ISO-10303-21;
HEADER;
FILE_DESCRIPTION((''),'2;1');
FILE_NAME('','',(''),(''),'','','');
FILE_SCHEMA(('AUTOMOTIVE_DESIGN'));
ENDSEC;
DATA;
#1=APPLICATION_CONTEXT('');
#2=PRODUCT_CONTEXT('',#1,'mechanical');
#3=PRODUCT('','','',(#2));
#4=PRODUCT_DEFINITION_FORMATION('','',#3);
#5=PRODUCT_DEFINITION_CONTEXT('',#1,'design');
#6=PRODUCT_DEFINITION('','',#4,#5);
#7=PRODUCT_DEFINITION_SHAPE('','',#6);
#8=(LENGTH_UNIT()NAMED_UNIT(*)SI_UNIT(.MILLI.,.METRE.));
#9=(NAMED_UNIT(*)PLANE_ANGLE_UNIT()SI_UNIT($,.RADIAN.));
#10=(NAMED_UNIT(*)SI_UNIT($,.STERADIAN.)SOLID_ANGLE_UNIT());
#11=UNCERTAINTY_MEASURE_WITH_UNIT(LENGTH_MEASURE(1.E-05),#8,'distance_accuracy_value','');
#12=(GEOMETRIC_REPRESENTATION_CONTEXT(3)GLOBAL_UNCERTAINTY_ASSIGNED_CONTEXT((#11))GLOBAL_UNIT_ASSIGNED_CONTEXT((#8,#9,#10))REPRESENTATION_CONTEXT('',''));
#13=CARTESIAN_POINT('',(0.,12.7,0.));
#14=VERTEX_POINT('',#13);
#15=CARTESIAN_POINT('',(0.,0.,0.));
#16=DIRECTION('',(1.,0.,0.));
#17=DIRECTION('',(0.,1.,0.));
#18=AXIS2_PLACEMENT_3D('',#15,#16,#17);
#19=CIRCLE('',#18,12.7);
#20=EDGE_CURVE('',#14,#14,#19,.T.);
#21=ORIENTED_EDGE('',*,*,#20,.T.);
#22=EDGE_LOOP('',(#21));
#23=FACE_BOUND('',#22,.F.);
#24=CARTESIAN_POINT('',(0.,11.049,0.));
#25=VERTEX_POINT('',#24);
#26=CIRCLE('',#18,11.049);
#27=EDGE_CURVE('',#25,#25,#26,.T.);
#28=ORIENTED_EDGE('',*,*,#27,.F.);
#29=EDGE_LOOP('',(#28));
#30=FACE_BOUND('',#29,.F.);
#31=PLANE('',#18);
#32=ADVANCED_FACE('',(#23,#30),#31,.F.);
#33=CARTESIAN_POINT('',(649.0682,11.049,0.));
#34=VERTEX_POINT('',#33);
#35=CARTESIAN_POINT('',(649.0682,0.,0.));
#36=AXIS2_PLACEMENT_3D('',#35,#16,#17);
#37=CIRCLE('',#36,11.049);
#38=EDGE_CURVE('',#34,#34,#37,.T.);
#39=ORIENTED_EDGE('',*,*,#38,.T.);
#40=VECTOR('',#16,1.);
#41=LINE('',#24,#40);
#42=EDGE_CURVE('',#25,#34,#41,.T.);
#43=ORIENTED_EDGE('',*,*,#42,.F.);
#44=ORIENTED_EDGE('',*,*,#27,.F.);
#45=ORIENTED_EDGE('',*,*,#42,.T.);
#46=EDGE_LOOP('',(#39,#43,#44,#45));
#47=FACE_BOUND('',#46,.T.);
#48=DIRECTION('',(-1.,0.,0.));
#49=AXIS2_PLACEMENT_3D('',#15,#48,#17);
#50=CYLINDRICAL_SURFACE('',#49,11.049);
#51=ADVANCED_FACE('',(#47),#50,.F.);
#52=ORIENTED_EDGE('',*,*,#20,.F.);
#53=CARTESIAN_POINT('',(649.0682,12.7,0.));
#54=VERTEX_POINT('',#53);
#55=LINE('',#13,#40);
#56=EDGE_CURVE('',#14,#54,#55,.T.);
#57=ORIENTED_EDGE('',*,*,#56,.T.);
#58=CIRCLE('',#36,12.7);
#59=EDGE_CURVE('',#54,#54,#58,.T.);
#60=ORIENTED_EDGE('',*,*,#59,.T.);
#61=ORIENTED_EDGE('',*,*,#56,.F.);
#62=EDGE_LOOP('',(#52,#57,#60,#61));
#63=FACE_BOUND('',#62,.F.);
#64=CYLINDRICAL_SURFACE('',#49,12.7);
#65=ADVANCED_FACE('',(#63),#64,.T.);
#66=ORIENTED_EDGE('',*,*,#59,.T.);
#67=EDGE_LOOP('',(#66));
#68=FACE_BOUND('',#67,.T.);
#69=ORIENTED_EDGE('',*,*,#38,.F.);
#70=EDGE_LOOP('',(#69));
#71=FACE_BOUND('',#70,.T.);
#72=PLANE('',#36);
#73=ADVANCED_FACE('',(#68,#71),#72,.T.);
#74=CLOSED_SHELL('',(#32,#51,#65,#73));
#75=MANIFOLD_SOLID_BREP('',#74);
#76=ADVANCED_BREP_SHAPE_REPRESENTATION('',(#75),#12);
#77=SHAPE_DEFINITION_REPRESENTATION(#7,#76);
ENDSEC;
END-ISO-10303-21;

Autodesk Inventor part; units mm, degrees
ref_plane "XZ Plane" through (0, 0, 0) normal (0, 1, 0) x (-1, 0, 0)
ref_plane "Start Plane" through (0, 0, 0) normal (1, 0, 0) x (0, 1, 0)
ref_plane "End Plane" through (649.0682, 0, 0) normal (1, 0, 0) x (0, 1, 0)
sketch "Sketch" plane through (0, 0, 0) normal (1, 0, 0) x (0, 1, 0)
  circle A0 centre (0, 0) radius 12.7
  circle A1 centre (0, 0) radius 11.049
  dimension "d0" = 25.4
  dimension "d1" = 1.651
extrude "Body" add sketch "Sketch" along normal up to surface (649.0682 mm away) from surface at 0
sketch "Sketch2" plane through (0, 0, 0) normal (1, 0, 0) x (0, 1, 0)
  line L0 (0, 0) -> (10, 0)
ref_plane "Work Plane3" through (0, 0, 0) normal (0, 0, -1) x (0, 1, 0)
sketch "Sketch3" plane through (0, 0, 0) normal (0, 0, -1) x (0, 1, 0)
  line L0 (-2, 0) -> (12, 0)
  line L1 (-2, 649.0682) -> (12, 649.0682)
  dimension "d9" = 649.0682
equation "\"G_OFFSET_START\" = 0"
equation "\"G_OFFSET_END\" = 0"
equation "\"d5\" = d2 + G_OFFSET_END"
equation "\"G_L\" = d9"
equation "\"d2\" = 649.068163"
properties part number "4130_1x0.065" material "Steel, Alloy"
